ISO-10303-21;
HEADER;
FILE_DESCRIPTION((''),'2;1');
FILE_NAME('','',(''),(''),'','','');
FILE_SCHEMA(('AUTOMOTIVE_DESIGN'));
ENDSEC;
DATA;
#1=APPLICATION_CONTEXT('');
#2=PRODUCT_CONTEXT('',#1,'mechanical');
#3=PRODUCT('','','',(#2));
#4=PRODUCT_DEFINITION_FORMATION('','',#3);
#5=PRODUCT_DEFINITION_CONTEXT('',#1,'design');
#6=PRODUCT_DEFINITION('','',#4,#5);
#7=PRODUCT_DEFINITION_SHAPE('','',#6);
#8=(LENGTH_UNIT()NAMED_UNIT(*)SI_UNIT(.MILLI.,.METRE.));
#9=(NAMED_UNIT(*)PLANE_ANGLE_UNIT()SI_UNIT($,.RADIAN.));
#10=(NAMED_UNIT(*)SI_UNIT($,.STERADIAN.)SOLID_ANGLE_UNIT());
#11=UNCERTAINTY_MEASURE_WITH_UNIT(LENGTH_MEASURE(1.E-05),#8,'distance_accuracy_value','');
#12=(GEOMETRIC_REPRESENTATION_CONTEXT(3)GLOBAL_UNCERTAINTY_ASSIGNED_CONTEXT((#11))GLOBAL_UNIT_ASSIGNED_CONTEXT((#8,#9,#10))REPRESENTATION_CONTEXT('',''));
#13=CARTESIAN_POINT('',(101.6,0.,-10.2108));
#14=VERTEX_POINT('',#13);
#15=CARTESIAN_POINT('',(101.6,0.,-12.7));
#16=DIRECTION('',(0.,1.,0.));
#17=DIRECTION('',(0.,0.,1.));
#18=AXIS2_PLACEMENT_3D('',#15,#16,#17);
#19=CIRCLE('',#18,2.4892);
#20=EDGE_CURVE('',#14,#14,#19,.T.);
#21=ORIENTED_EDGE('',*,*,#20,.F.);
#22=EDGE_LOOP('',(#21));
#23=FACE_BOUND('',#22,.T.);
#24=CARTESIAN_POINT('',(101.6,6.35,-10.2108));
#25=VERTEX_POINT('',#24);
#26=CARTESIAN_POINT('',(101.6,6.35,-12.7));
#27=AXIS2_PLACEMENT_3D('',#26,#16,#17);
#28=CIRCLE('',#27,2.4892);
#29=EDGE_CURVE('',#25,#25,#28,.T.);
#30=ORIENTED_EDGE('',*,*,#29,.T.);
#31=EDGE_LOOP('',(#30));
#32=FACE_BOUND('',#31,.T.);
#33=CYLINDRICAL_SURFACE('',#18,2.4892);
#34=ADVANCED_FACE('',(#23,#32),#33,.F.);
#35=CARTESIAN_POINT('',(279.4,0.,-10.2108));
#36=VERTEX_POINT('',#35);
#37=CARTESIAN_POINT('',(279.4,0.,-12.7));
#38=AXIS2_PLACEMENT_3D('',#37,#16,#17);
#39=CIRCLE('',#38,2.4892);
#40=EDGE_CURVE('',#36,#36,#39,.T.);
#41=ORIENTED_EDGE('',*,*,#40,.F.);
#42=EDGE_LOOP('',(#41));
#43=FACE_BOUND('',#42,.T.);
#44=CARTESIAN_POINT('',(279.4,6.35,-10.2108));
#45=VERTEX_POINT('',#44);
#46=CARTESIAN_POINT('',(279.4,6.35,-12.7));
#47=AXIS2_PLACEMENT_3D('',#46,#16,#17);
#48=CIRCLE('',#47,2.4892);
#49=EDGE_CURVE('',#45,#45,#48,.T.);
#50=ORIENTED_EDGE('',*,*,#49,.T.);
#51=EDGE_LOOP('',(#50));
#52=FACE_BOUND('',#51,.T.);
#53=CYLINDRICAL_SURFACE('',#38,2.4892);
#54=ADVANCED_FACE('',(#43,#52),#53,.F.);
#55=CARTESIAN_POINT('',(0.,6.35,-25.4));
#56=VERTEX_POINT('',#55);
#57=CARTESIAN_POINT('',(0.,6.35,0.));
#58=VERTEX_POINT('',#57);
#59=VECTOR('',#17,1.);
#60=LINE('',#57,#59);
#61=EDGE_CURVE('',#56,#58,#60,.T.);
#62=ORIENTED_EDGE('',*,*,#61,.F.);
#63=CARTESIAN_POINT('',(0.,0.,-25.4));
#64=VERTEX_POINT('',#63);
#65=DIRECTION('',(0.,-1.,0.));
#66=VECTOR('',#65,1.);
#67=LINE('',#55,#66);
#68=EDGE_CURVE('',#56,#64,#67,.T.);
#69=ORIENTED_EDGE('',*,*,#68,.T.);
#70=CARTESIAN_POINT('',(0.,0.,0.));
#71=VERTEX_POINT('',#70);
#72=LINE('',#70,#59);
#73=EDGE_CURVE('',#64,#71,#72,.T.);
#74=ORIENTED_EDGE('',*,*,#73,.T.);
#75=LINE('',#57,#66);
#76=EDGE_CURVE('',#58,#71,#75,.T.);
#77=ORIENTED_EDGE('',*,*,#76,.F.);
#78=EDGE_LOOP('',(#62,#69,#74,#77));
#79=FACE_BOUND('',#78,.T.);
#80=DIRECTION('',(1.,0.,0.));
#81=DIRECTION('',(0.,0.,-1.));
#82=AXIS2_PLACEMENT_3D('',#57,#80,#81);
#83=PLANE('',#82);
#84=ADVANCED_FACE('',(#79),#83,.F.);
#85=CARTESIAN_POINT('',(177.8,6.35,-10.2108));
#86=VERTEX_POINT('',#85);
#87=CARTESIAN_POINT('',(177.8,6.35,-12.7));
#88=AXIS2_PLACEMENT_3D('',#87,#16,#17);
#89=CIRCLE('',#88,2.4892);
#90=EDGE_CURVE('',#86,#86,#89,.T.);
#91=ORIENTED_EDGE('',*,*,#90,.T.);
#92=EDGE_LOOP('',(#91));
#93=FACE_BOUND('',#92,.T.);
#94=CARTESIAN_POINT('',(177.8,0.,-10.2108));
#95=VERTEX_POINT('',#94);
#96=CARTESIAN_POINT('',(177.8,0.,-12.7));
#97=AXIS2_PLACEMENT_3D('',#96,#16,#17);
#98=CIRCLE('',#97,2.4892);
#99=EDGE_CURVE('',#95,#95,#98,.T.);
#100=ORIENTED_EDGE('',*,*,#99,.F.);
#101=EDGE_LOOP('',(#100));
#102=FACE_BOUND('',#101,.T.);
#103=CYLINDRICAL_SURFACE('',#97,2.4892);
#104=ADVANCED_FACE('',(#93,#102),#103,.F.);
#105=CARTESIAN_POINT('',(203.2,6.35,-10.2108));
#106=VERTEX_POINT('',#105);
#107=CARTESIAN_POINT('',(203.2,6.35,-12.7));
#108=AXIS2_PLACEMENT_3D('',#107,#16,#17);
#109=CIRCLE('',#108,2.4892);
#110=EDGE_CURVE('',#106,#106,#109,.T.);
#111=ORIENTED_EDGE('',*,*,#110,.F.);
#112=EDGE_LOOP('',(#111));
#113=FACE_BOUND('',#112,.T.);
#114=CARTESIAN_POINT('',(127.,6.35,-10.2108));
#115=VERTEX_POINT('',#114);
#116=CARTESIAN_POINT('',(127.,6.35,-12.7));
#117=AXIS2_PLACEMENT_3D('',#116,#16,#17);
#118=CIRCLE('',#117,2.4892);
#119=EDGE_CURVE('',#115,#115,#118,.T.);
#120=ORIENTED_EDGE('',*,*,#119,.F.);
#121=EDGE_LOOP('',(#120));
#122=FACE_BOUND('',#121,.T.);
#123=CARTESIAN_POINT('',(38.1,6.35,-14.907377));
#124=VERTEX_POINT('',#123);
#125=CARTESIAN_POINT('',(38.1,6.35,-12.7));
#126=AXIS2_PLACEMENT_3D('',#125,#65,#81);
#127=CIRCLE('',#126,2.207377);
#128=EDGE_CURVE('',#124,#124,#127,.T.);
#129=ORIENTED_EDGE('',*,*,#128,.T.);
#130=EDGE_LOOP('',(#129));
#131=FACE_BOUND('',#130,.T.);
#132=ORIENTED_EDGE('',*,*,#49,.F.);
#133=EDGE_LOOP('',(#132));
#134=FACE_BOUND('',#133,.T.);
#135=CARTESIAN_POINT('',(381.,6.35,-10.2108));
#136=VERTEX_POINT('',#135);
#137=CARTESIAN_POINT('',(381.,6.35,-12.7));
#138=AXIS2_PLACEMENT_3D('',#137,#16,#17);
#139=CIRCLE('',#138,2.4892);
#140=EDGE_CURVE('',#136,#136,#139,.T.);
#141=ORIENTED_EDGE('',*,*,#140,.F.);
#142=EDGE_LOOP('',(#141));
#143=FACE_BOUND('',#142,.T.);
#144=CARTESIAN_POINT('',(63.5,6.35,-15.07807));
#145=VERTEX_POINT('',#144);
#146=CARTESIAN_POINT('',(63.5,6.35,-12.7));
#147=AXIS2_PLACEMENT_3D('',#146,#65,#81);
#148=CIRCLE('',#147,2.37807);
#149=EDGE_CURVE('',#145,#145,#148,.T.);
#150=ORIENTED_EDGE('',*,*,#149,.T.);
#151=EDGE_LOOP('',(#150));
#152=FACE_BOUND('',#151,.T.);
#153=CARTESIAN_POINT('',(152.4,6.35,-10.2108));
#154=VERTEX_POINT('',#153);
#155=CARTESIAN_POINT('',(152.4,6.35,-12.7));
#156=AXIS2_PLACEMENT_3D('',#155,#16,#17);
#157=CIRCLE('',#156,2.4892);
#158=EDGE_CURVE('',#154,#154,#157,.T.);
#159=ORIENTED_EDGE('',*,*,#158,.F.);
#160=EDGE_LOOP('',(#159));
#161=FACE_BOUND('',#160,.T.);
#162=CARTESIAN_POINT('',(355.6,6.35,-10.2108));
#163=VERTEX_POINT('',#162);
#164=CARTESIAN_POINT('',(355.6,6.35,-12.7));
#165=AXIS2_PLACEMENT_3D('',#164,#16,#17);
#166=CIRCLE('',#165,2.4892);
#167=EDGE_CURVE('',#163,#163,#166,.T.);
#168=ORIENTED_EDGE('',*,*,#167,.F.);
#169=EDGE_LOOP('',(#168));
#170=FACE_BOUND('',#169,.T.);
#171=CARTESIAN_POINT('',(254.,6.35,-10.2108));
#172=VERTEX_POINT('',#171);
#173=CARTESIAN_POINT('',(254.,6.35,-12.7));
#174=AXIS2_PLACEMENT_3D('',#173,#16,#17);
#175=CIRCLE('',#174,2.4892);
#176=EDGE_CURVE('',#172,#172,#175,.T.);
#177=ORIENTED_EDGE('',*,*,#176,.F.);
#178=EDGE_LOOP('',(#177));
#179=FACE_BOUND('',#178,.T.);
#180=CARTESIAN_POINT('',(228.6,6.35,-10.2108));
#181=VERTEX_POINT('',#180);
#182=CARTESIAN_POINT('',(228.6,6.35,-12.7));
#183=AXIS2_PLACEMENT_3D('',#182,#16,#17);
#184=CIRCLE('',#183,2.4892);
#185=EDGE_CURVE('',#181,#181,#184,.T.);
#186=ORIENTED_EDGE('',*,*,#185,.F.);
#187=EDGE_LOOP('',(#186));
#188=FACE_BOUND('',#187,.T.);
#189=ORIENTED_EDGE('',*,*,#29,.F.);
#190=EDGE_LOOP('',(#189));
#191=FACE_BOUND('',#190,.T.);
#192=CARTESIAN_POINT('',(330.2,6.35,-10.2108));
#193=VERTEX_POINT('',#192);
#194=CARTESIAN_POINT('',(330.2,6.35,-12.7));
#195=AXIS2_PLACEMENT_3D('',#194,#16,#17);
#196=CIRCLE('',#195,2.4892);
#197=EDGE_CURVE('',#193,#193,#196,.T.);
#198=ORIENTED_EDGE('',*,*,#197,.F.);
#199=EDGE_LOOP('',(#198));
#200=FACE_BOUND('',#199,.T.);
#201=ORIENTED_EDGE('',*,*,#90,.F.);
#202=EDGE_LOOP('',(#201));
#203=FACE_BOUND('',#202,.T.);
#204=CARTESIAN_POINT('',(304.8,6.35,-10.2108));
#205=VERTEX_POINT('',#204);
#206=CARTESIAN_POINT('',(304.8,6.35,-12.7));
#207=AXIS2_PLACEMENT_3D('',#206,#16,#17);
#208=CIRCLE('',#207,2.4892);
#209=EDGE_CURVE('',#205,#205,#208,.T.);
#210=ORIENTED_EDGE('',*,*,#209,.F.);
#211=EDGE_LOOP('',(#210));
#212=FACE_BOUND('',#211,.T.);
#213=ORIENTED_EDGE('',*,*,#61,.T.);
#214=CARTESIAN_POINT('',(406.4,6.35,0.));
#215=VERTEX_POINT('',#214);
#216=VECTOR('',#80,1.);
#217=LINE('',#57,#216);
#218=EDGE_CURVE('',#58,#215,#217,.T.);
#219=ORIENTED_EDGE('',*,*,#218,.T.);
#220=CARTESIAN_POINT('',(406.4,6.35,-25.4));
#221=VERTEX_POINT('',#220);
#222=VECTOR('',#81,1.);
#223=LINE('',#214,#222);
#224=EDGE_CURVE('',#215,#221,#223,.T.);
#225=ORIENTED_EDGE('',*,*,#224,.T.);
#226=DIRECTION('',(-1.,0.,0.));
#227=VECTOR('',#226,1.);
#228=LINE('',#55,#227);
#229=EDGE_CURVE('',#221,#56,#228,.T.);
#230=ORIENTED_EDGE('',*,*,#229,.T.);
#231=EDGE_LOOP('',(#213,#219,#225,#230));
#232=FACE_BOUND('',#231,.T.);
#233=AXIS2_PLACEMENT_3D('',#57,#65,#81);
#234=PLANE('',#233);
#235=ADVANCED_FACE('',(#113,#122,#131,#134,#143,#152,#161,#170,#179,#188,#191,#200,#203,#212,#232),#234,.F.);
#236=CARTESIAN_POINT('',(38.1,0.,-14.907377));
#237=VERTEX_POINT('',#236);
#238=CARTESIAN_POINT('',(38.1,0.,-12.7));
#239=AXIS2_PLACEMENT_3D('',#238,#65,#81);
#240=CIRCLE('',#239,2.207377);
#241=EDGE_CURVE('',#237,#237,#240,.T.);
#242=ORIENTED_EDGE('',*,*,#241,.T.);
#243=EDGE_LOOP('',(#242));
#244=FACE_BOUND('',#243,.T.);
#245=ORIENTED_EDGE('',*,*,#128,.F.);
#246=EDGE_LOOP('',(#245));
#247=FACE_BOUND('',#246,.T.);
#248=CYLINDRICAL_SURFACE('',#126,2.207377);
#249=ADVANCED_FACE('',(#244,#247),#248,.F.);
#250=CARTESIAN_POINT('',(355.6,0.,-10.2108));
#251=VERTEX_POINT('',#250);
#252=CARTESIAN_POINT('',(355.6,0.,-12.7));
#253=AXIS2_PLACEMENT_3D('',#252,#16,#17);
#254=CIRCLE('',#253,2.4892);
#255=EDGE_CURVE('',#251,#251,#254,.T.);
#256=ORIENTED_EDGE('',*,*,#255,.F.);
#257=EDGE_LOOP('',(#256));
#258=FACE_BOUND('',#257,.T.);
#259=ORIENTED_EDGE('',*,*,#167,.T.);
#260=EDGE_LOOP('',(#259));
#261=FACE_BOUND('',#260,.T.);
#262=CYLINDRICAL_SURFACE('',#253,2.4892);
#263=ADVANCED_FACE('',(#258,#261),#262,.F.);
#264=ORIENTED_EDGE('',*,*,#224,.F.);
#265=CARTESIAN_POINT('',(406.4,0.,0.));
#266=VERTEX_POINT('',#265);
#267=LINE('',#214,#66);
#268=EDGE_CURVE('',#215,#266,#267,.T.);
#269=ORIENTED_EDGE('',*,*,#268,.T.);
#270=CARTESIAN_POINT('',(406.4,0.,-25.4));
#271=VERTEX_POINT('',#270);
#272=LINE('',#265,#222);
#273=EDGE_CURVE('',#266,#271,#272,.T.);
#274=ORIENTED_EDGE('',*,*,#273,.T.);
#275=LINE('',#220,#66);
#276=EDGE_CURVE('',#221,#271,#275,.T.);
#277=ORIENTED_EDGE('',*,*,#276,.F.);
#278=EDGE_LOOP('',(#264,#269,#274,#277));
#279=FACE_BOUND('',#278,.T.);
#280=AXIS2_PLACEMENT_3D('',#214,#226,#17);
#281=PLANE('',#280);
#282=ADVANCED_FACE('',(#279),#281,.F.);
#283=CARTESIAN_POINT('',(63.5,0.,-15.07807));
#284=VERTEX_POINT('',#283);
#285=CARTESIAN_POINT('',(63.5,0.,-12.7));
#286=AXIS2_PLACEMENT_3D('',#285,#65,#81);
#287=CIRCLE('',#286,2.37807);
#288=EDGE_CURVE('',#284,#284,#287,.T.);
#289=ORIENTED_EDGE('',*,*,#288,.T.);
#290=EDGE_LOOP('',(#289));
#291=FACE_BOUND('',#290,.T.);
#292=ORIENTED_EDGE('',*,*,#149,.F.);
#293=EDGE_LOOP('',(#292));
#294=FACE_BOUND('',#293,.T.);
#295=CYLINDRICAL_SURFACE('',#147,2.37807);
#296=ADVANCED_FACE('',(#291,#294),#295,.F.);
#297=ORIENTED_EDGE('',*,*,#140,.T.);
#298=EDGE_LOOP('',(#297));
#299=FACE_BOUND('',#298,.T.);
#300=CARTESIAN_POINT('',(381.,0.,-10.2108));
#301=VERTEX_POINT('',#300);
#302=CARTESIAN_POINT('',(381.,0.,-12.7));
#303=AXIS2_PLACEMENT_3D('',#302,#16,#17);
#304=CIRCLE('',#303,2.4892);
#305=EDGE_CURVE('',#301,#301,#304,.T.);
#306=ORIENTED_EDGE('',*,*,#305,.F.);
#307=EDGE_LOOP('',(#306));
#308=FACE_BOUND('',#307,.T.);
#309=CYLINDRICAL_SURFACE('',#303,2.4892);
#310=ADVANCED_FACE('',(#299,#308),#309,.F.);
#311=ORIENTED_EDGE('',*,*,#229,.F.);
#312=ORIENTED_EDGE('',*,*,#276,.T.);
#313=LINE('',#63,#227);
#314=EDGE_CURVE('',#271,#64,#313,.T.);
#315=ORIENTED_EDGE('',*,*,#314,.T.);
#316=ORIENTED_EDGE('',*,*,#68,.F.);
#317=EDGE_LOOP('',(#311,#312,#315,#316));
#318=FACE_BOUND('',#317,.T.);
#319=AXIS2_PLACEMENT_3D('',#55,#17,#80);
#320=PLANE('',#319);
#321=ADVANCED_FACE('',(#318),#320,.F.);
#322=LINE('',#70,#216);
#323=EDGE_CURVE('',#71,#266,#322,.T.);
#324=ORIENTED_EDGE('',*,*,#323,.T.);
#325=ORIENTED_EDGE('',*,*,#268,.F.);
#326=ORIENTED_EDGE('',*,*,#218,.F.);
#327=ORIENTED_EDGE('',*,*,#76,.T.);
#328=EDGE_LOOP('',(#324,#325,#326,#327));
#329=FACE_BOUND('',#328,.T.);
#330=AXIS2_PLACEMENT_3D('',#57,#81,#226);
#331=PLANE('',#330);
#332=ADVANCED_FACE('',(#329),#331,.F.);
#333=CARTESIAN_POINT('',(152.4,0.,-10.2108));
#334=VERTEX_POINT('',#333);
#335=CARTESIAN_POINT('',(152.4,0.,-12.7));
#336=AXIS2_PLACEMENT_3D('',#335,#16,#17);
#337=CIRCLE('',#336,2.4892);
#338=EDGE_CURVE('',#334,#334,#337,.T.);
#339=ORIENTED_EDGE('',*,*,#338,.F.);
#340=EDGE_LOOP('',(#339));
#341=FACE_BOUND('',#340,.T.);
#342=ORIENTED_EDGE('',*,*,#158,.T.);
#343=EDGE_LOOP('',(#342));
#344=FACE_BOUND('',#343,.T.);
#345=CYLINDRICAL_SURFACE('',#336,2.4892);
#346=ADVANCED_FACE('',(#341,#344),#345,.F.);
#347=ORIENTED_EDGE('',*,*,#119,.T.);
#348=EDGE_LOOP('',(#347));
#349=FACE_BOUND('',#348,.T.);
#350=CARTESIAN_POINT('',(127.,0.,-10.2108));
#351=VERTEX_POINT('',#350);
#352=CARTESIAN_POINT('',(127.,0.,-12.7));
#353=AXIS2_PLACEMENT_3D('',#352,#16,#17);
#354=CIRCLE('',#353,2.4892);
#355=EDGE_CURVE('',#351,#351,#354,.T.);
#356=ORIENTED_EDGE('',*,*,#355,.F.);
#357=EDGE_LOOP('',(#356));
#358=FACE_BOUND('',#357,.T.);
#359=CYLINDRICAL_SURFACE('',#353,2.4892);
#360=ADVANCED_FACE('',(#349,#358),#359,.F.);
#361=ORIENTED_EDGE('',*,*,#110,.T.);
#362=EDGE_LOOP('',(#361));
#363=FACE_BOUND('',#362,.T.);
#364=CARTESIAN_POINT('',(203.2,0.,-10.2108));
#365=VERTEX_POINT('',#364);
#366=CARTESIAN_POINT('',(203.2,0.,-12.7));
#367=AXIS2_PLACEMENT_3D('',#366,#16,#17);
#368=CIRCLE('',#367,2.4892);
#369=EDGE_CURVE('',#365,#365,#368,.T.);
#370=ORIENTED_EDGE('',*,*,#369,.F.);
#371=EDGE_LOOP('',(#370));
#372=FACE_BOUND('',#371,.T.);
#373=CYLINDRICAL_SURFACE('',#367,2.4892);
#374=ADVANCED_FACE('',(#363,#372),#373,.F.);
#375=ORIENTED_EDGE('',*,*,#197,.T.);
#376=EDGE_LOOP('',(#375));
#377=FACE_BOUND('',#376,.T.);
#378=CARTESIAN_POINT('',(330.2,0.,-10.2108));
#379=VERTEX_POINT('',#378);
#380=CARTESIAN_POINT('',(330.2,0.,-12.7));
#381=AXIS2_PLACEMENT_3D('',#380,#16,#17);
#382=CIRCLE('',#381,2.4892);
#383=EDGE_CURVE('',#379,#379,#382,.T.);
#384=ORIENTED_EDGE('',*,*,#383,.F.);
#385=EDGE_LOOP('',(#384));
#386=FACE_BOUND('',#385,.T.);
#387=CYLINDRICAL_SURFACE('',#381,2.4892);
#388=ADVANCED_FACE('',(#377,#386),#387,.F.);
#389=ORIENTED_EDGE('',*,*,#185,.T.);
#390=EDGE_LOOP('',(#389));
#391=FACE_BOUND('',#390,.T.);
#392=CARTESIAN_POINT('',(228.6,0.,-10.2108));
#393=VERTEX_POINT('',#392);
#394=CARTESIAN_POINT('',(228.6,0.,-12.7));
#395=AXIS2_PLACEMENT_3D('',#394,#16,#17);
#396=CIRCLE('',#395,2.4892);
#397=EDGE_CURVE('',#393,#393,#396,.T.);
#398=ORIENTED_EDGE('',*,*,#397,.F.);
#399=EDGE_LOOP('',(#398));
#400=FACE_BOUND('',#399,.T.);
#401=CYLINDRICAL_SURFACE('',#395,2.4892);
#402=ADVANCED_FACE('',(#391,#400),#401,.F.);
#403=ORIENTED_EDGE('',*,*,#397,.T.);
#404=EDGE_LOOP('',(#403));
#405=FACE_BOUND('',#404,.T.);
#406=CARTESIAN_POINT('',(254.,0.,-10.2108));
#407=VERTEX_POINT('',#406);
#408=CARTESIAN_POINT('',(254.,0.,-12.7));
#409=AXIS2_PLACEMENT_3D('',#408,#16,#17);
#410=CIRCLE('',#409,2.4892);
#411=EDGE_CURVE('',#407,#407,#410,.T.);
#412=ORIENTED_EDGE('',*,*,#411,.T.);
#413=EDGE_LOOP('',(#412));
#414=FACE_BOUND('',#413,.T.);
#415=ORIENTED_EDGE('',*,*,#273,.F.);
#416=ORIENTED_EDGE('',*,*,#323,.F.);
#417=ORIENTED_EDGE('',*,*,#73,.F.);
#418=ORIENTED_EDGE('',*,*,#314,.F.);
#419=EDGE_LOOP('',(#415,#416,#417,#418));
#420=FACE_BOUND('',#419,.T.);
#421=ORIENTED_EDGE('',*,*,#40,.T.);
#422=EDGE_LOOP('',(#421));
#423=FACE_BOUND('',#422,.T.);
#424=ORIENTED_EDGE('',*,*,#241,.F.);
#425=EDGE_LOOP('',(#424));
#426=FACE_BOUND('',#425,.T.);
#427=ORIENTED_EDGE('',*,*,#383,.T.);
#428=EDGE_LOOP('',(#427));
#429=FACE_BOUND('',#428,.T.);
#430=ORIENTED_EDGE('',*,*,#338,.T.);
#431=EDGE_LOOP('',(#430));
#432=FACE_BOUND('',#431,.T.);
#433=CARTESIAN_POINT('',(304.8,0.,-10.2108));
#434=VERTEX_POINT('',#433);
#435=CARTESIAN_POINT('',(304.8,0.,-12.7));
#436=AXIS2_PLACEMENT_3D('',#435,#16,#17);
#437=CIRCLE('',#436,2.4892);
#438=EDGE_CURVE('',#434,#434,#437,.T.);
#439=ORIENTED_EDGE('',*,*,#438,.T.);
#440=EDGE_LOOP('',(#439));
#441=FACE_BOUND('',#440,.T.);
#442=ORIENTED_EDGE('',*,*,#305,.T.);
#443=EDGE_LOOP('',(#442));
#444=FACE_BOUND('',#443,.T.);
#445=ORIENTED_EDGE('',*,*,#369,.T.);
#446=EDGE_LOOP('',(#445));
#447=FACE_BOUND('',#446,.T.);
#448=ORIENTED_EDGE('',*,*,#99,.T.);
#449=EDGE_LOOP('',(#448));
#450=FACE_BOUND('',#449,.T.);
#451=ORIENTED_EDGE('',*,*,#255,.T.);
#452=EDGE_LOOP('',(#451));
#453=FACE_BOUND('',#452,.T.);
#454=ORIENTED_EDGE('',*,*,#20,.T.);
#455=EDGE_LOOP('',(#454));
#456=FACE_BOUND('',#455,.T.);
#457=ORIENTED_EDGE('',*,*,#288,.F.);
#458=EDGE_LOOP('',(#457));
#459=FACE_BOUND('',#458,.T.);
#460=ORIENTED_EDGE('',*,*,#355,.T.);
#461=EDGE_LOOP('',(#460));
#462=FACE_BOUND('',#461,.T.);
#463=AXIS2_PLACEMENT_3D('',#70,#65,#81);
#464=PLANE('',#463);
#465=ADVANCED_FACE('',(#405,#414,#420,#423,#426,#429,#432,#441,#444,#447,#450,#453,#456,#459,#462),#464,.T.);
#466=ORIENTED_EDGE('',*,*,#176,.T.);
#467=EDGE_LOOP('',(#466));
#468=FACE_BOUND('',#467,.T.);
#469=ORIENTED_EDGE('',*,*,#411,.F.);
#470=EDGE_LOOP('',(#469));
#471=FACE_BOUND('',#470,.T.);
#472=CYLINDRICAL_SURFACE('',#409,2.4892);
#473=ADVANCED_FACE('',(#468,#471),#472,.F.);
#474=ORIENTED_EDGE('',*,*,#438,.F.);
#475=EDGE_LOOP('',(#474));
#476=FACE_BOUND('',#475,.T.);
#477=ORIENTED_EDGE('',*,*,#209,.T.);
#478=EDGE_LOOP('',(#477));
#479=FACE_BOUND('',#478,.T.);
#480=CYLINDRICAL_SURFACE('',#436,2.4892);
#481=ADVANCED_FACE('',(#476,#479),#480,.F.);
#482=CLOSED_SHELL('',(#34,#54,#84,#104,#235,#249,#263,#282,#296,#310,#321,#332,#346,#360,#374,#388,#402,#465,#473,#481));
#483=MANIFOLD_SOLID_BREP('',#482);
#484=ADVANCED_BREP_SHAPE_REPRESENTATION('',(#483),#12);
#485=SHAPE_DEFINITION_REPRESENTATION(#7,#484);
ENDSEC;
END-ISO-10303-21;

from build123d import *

# Parameters (mm, degrees)
SKETCH1_W               = 406.4
SKETCH1_H               = 25.4
BOSS_EXTRUDE1_DEPTH     = 6.35
SKETCH2_R               = 2.4892
CUT_EXTRUDE1_DEPTH      = 1
CUT_EXTRUDE1_DEPTH_BACK = 7.35
SKETCH3_R               = 2.378070279
SKETCH3_R_2             = 2.20737703
CUT_EXTRUDE2_DEPTH      = 7.35


with BuildPart() as part:
    # Sketch1 → Boss-Extrude1 (new body)
    with BuildSketch(Plane(origin=(0, 0, 0), x_dir=(1, 0, 0), z_dir=(0, 1, 0))):
        with Locations((203.2, 12.7)):
            Rectangle(SKETCH1_W, SKETCH1_H)
    extrude(amount=BOSS_EXTRUDE1_DEPTH)

    # Sketch2 → Cut-Extrude1 (cut, two sides)
    with BuildSketch(Plane(origin=(0, 6.35, 0), x_dir=(1, 0, 0), z_dir=(0, 1, 0))) as cut_extrude1_sk:
        with Locations((381, 12.7)):
            Circle(SKETCH2_R)
        with Locations((355.6, 12.7)):
            Circle(SKETCH2_R)
        with Locations((330.2, 12.7)):
            Circle(SKETCH2_R)
        with Locations((304.8, 12.7)):
            Circle(SKETCH2_R)
        with Locations((279.4, 12.7)):
            Circle(SKETCH2_R)
        with Locations((254, 12.7)):
            Circle(SKETCH2_R)
        with Locations((228.6, 12.7)):
            Circle(SKETCH2_R)
        with Locations((203.2, 12.7)):
            Circle(SKETCH2_R)
        with Locations((177.8, 12.7)):
            Circle(SKETCH2_R)
        with Locations((152.4, 12.7)):
            Circle(SKETCH2_R)
        with Locations((127, 12.7)):
            Circle(SKETCH2_R)
        with Locations((101.6, 12.7)):
            Circle(SKETCH2_R)
    extrude(amount=CUT_EXTRUDE1_DEPTH, mode=Mode.SUBTRACT)
    extrude(cut_extrude1_sk.sketch, amount=-CUT_EXTRUDE1_DEPTH_BACK, mode=Mode.SUBTRACT)

    # Sketch3 → Cut-Extrude2 (cut, through all)
    with BuildSketch(Plane.XZ):
        with Locations((63.5, -12.7)):
            Circle(SKETCH3_R)
        with Locations((38.1, -12.7)):
            Circle(SKETCH3_R_2)
    extrude(amount=-CUT_EXTRUDE2_DEPTH, mode=Mode.SUBTRACT)


solid = part.part
